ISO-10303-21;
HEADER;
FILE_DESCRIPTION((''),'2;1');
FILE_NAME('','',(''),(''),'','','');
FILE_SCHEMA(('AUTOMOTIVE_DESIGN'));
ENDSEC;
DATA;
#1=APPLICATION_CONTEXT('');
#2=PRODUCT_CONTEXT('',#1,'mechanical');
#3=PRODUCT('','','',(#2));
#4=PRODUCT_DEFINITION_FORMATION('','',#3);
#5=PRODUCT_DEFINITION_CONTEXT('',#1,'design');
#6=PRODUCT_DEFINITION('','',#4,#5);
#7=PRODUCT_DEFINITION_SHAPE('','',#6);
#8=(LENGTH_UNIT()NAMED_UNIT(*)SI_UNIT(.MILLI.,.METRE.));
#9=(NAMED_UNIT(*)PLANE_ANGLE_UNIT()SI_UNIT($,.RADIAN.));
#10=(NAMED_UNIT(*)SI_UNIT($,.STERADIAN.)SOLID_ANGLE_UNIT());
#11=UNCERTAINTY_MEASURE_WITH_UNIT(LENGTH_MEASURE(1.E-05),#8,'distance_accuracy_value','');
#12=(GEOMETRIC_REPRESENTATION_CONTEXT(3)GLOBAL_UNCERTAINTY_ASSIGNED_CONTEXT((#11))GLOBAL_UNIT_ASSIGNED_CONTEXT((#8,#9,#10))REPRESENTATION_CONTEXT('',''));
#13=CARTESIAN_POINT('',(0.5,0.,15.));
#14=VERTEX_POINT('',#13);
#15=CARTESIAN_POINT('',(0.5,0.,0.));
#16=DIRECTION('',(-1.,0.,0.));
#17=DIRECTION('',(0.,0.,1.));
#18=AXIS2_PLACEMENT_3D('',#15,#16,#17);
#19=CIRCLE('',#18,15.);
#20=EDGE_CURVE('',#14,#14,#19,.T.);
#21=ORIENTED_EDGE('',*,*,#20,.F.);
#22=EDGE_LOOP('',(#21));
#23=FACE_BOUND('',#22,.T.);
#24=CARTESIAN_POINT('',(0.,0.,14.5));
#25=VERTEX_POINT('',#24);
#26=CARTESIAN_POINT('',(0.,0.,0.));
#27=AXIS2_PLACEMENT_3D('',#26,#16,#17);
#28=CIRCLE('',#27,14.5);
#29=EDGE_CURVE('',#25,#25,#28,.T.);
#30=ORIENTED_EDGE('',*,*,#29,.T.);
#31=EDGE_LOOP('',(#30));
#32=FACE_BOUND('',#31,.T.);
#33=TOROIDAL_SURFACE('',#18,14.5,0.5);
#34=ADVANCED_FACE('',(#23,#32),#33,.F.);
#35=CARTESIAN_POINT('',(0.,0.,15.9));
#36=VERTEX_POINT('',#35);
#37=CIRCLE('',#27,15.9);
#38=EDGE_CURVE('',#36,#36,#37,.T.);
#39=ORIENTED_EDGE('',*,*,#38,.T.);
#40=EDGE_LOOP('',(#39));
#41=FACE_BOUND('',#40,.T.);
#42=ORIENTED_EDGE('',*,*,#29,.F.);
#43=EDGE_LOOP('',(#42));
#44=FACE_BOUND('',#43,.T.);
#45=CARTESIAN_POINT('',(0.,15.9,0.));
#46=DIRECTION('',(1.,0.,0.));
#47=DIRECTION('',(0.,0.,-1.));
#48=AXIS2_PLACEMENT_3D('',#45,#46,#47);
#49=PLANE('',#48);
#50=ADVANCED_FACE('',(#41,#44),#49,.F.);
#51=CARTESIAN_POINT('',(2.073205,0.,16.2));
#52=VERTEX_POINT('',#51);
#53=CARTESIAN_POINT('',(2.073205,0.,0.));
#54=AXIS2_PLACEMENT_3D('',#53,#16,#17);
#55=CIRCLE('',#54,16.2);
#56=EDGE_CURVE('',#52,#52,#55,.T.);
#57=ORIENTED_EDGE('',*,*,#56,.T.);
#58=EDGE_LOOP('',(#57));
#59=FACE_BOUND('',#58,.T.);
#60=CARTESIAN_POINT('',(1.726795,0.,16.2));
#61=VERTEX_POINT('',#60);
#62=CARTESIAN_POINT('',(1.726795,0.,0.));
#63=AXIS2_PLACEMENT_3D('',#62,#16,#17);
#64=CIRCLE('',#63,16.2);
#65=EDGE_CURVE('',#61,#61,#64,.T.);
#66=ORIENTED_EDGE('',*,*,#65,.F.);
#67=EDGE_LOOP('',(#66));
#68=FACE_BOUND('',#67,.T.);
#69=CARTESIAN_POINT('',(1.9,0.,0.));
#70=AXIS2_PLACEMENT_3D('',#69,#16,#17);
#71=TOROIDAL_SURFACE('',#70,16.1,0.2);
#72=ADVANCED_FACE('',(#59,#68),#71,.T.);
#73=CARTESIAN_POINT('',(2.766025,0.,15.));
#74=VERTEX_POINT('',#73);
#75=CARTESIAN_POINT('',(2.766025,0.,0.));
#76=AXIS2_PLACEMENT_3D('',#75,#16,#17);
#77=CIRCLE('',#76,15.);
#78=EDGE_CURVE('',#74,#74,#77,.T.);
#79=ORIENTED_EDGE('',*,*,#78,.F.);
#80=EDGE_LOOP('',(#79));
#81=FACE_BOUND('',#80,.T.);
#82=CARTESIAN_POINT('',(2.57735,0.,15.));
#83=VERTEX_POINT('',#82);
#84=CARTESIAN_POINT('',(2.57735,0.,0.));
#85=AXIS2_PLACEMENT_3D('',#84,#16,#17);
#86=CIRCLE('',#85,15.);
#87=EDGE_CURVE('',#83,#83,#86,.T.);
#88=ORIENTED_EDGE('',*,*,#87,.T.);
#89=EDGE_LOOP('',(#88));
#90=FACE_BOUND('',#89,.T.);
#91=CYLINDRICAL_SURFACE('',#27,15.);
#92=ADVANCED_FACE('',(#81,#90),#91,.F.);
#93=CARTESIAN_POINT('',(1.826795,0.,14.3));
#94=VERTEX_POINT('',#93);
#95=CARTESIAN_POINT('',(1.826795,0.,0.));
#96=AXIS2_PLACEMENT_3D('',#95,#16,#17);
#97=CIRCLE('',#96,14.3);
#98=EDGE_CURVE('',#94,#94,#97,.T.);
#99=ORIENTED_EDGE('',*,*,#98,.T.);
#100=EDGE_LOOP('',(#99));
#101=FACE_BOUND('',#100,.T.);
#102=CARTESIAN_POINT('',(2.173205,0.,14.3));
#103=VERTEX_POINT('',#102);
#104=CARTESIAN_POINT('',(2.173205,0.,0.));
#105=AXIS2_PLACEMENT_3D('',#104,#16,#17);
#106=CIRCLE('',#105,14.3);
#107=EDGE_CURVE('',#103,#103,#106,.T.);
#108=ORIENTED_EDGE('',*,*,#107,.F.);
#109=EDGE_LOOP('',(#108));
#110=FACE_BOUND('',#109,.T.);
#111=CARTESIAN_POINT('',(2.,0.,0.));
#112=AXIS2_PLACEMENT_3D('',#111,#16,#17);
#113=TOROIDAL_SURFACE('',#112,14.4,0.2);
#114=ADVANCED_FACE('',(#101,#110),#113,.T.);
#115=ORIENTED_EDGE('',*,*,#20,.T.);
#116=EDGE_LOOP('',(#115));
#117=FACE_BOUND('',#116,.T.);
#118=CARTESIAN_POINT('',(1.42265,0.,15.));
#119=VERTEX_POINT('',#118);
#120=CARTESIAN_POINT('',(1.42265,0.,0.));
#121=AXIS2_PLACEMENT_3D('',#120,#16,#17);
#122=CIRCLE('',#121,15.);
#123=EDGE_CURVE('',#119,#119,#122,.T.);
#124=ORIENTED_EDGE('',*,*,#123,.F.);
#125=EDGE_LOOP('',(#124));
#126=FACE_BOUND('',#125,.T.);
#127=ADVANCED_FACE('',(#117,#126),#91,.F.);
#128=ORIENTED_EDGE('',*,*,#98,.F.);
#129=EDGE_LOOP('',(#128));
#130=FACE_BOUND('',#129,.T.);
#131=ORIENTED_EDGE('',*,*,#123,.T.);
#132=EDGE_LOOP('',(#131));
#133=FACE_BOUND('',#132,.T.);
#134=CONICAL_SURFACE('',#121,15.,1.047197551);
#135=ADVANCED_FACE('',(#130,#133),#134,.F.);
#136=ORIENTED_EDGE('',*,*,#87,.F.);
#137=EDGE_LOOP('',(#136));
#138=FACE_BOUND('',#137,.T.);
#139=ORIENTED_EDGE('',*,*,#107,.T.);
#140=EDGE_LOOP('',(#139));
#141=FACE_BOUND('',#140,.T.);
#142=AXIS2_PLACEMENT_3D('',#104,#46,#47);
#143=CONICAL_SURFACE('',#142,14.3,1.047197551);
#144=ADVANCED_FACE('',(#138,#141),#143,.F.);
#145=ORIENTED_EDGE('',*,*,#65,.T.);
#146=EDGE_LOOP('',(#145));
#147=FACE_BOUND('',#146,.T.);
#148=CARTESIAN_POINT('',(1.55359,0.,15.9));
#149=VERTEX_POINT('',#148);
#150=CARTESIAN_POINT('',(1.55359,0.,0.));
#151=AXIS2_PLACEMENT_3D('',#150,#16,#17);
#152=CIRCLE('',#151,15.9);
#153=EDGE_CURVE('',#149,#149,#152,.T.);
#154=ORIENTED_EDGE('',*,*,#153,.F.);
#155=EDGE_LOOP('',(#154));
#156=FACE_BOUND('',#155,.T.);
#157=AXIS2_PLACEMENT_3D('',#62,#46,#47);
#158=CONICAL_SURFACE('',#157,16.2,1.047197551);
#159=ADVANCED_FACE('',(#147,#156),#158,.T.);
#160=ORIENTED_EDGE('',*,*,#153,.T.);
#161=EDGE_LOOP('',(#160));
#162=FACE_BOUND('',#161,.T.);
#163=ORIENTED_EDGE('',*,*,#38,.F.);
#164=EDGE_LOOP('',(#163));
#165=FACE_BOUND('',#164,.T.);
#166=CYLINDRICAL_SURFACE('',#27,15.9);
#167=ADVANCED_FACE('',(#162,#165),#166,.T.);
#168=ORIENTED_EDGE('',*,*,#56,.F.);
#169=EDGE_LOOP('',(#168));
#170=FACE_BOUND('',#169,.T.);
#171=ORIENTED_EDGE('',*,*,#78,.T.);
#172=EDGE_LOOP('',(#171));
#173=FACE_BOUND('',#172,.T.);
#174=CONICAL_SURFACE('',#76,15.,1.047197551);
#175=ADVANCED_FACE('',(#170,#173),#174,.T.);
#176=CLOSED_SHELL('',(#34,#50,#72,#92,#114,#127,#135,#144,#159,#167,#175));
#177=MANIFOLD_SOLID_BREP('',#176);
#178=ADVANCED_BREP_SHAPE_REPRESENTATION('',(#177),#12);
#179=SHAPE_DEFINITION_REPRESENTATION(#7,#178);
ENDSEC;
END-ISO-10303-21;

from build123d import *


with BuildPart() as part:
    # Эскиз1 → Повернуть1 (revolve)
    with BuildSketch(Plane.XY, mode=Mode.PRIVATE) as revolve_1_sk:
        with BuildLine():
            Line((0, 15.9), (1.553589838, 15.9))
            Line((1.553589838, 15.9), (1.726794919, 16.2))
            ThreePointArc((1.726794919, 16.2), (1.9, 16.3), (2.073205081, 16.2))
            Line((2.073205081, 16.2), (2.766025404, 15))
            Line((2.766025404, 15), (2.577350269, 15))
            Line((2.577350269, 15), (2.173205081, 14.3))
            ThreePointArc((2.173205081, 14.3), (2, 14.2), (1.826794919, 14.3))
            Line((1.826794919, 14.3), (1.422649731, 15))
            Line((1.422649731, 15), (0, 15))
            Line((0, 15), (0, 15.9))
        make_face()
    revolve(revolve_1_sk.sketch.rotate(Axis((0, 0, 0), (1, 0, 0)), 90), axis=Axis((0, 0, 0), (1, 0, 0)))

    # Эскиз2 → Повернуть2 (revolve)
    with BuildSketch(Plane.XY, mode=Mode.PRIVATE) as revolve_2_sk:
        with BuildLine():
            Line((0, 14.5), (0, 15))
            Line((0, 15), (0.5, 15))
            ThreePointArc((0.5, 15), (0.146446609, 14.853553391), (0, 14.5))
        make_face()
    revolve(revolve_2_sk.sketch.rotate(Axis((0, 0, 0), (1, 0, 0)), 90), axis=Axis((0, 0, 0), (1, 0, 0)))


solid = part.part
